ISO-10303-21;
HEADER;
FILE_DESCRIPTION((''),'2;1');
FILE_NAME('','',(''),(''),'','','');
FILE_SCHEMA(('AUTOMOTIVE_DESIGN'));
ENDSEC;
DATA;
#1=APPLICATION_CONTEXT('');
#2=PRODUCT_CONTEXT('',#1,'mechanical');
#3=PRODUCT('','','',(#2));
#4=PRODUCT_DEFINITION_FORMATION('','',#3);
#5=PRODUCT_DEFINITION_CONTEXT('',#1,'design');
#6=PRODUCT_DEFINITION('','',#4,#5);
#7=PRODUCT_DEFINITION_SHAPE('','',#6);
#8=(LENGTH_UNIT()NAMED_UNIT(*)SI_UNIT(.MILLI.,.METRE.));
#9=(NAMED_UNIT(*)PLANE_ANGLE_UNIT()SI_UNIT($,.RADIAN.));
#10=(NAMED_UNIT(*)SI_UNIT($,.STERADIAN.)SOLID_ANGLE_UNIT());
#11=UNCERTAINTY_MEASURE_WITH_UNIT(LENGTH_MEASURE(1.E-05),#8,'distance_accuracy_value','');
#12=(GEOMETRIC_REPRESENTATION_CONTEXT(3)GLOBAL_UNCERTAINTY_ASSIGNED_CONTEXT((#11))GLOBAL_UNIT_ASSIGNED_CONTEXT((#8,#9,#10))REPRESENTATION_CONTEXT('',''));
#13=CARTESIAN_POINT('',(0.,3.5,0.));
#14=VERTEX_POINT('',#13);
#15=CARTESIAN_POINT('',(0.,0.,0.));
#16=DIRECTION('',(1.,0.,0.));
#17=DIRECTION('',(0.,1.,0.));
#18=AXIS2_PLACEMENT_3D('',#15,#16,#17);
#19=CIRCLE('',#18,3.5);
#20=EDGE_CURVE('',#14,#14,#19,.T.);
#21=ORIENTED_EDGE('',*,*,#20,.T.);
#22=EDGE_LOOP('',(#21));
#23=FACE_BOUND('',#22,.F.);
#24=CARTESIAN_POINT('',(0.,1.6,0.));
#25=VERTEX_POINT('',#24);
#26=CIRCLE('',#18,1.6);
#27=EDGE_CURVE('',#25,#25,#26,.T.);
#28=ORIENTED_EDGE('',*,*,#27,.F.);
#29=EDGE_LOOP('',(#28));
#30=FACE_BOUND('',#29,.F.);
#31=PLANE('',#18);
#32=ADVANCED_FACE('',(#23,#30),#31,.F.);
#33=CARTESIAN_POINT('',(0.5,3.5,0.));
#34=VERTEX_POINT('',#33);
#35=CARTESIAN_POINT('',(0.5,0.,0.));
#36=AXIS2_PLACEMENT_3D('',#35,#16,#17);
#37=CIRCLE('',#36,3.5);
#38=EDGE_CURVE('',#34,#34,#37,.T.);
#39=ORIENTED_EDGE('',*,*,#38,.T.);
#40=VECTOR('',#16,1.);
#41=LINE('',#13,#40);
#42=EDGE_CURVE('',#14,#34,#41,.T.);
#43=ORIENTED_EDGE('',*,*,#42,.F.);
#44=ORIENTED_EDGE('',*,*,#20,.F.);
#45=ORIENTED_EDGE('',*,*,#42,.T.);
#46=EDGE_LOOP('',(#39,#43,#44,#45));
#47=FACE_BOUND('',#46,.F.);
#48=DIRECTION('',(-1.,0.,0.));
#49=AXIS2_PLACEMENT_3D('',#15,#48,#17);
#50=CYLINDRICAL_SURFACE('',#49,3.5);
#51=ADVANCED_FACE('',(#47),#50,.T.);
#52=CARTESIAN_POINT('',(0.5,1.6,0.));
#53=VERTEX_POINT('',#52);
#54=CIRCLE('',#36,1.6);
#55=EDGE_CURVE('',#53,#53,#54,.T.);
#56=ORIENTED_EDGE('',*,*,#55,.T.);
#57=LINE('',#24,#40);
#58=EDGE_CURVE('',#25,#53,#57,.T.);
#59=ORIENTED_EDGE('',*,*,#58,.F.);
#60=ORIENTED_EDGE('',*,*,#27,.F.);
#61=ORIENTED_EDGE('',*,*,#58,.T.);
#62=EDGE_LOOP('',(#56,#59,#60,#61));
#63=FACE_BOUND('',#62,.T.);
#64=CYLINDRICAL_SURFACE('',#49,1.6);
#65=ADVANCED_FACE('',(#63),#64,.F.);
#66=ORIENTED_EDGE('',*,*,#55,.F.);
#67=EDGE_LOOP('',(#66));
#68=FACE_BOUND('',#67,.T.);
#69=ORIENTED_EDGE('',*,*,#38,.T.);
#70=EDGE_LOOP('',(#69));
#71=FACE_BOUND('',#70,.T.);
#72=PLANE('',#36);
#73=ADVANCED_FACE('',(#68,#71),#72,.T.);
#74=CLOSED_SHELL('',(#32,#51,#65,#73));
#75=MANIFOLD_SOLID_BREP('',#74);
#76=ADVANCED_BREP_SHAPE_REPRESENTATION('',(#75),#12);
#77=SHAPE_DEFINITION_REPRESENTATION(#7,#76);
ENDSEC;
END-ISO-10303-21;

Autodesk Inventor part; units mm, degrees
ref_plane "YZ Plane" through (0, 0, 0) normal (1, 0, 0) x (0, 1, 0)
ref_plane "XZ Plane" through (0, 0, 0) normal (0, 1, 0) x (-1, 0, 0)
sketch "Sketch" plane through (0, 0, 0) normal (1, 0, 0) x (0, 1, 0)
  circle A0 centre (0, 0) radius 3.5
  circle A1 centre (0, 0) radius 1.6
  dimension "d0" = 3.2
  dimension "d1" = 7
extrude "Body" add sketch "Sketch" along normal blind 0.5
ref_plane "Work Plane1" through (0, 0, 0) normal (0, 0, 1) x (1, 0, 0)
equation "\"d0\" = SD1"
equation "\"d1\" = SD2"
equation "\"d2\" = SD"
equation "\"SD1\" = 3.2"
equation "\"SD2\" = 7"
equation "\"SD\" = 0.5"
equation "\"NND\" = 3"
properties part number "ISO 7089 - 3" material "Stainless Steel"
